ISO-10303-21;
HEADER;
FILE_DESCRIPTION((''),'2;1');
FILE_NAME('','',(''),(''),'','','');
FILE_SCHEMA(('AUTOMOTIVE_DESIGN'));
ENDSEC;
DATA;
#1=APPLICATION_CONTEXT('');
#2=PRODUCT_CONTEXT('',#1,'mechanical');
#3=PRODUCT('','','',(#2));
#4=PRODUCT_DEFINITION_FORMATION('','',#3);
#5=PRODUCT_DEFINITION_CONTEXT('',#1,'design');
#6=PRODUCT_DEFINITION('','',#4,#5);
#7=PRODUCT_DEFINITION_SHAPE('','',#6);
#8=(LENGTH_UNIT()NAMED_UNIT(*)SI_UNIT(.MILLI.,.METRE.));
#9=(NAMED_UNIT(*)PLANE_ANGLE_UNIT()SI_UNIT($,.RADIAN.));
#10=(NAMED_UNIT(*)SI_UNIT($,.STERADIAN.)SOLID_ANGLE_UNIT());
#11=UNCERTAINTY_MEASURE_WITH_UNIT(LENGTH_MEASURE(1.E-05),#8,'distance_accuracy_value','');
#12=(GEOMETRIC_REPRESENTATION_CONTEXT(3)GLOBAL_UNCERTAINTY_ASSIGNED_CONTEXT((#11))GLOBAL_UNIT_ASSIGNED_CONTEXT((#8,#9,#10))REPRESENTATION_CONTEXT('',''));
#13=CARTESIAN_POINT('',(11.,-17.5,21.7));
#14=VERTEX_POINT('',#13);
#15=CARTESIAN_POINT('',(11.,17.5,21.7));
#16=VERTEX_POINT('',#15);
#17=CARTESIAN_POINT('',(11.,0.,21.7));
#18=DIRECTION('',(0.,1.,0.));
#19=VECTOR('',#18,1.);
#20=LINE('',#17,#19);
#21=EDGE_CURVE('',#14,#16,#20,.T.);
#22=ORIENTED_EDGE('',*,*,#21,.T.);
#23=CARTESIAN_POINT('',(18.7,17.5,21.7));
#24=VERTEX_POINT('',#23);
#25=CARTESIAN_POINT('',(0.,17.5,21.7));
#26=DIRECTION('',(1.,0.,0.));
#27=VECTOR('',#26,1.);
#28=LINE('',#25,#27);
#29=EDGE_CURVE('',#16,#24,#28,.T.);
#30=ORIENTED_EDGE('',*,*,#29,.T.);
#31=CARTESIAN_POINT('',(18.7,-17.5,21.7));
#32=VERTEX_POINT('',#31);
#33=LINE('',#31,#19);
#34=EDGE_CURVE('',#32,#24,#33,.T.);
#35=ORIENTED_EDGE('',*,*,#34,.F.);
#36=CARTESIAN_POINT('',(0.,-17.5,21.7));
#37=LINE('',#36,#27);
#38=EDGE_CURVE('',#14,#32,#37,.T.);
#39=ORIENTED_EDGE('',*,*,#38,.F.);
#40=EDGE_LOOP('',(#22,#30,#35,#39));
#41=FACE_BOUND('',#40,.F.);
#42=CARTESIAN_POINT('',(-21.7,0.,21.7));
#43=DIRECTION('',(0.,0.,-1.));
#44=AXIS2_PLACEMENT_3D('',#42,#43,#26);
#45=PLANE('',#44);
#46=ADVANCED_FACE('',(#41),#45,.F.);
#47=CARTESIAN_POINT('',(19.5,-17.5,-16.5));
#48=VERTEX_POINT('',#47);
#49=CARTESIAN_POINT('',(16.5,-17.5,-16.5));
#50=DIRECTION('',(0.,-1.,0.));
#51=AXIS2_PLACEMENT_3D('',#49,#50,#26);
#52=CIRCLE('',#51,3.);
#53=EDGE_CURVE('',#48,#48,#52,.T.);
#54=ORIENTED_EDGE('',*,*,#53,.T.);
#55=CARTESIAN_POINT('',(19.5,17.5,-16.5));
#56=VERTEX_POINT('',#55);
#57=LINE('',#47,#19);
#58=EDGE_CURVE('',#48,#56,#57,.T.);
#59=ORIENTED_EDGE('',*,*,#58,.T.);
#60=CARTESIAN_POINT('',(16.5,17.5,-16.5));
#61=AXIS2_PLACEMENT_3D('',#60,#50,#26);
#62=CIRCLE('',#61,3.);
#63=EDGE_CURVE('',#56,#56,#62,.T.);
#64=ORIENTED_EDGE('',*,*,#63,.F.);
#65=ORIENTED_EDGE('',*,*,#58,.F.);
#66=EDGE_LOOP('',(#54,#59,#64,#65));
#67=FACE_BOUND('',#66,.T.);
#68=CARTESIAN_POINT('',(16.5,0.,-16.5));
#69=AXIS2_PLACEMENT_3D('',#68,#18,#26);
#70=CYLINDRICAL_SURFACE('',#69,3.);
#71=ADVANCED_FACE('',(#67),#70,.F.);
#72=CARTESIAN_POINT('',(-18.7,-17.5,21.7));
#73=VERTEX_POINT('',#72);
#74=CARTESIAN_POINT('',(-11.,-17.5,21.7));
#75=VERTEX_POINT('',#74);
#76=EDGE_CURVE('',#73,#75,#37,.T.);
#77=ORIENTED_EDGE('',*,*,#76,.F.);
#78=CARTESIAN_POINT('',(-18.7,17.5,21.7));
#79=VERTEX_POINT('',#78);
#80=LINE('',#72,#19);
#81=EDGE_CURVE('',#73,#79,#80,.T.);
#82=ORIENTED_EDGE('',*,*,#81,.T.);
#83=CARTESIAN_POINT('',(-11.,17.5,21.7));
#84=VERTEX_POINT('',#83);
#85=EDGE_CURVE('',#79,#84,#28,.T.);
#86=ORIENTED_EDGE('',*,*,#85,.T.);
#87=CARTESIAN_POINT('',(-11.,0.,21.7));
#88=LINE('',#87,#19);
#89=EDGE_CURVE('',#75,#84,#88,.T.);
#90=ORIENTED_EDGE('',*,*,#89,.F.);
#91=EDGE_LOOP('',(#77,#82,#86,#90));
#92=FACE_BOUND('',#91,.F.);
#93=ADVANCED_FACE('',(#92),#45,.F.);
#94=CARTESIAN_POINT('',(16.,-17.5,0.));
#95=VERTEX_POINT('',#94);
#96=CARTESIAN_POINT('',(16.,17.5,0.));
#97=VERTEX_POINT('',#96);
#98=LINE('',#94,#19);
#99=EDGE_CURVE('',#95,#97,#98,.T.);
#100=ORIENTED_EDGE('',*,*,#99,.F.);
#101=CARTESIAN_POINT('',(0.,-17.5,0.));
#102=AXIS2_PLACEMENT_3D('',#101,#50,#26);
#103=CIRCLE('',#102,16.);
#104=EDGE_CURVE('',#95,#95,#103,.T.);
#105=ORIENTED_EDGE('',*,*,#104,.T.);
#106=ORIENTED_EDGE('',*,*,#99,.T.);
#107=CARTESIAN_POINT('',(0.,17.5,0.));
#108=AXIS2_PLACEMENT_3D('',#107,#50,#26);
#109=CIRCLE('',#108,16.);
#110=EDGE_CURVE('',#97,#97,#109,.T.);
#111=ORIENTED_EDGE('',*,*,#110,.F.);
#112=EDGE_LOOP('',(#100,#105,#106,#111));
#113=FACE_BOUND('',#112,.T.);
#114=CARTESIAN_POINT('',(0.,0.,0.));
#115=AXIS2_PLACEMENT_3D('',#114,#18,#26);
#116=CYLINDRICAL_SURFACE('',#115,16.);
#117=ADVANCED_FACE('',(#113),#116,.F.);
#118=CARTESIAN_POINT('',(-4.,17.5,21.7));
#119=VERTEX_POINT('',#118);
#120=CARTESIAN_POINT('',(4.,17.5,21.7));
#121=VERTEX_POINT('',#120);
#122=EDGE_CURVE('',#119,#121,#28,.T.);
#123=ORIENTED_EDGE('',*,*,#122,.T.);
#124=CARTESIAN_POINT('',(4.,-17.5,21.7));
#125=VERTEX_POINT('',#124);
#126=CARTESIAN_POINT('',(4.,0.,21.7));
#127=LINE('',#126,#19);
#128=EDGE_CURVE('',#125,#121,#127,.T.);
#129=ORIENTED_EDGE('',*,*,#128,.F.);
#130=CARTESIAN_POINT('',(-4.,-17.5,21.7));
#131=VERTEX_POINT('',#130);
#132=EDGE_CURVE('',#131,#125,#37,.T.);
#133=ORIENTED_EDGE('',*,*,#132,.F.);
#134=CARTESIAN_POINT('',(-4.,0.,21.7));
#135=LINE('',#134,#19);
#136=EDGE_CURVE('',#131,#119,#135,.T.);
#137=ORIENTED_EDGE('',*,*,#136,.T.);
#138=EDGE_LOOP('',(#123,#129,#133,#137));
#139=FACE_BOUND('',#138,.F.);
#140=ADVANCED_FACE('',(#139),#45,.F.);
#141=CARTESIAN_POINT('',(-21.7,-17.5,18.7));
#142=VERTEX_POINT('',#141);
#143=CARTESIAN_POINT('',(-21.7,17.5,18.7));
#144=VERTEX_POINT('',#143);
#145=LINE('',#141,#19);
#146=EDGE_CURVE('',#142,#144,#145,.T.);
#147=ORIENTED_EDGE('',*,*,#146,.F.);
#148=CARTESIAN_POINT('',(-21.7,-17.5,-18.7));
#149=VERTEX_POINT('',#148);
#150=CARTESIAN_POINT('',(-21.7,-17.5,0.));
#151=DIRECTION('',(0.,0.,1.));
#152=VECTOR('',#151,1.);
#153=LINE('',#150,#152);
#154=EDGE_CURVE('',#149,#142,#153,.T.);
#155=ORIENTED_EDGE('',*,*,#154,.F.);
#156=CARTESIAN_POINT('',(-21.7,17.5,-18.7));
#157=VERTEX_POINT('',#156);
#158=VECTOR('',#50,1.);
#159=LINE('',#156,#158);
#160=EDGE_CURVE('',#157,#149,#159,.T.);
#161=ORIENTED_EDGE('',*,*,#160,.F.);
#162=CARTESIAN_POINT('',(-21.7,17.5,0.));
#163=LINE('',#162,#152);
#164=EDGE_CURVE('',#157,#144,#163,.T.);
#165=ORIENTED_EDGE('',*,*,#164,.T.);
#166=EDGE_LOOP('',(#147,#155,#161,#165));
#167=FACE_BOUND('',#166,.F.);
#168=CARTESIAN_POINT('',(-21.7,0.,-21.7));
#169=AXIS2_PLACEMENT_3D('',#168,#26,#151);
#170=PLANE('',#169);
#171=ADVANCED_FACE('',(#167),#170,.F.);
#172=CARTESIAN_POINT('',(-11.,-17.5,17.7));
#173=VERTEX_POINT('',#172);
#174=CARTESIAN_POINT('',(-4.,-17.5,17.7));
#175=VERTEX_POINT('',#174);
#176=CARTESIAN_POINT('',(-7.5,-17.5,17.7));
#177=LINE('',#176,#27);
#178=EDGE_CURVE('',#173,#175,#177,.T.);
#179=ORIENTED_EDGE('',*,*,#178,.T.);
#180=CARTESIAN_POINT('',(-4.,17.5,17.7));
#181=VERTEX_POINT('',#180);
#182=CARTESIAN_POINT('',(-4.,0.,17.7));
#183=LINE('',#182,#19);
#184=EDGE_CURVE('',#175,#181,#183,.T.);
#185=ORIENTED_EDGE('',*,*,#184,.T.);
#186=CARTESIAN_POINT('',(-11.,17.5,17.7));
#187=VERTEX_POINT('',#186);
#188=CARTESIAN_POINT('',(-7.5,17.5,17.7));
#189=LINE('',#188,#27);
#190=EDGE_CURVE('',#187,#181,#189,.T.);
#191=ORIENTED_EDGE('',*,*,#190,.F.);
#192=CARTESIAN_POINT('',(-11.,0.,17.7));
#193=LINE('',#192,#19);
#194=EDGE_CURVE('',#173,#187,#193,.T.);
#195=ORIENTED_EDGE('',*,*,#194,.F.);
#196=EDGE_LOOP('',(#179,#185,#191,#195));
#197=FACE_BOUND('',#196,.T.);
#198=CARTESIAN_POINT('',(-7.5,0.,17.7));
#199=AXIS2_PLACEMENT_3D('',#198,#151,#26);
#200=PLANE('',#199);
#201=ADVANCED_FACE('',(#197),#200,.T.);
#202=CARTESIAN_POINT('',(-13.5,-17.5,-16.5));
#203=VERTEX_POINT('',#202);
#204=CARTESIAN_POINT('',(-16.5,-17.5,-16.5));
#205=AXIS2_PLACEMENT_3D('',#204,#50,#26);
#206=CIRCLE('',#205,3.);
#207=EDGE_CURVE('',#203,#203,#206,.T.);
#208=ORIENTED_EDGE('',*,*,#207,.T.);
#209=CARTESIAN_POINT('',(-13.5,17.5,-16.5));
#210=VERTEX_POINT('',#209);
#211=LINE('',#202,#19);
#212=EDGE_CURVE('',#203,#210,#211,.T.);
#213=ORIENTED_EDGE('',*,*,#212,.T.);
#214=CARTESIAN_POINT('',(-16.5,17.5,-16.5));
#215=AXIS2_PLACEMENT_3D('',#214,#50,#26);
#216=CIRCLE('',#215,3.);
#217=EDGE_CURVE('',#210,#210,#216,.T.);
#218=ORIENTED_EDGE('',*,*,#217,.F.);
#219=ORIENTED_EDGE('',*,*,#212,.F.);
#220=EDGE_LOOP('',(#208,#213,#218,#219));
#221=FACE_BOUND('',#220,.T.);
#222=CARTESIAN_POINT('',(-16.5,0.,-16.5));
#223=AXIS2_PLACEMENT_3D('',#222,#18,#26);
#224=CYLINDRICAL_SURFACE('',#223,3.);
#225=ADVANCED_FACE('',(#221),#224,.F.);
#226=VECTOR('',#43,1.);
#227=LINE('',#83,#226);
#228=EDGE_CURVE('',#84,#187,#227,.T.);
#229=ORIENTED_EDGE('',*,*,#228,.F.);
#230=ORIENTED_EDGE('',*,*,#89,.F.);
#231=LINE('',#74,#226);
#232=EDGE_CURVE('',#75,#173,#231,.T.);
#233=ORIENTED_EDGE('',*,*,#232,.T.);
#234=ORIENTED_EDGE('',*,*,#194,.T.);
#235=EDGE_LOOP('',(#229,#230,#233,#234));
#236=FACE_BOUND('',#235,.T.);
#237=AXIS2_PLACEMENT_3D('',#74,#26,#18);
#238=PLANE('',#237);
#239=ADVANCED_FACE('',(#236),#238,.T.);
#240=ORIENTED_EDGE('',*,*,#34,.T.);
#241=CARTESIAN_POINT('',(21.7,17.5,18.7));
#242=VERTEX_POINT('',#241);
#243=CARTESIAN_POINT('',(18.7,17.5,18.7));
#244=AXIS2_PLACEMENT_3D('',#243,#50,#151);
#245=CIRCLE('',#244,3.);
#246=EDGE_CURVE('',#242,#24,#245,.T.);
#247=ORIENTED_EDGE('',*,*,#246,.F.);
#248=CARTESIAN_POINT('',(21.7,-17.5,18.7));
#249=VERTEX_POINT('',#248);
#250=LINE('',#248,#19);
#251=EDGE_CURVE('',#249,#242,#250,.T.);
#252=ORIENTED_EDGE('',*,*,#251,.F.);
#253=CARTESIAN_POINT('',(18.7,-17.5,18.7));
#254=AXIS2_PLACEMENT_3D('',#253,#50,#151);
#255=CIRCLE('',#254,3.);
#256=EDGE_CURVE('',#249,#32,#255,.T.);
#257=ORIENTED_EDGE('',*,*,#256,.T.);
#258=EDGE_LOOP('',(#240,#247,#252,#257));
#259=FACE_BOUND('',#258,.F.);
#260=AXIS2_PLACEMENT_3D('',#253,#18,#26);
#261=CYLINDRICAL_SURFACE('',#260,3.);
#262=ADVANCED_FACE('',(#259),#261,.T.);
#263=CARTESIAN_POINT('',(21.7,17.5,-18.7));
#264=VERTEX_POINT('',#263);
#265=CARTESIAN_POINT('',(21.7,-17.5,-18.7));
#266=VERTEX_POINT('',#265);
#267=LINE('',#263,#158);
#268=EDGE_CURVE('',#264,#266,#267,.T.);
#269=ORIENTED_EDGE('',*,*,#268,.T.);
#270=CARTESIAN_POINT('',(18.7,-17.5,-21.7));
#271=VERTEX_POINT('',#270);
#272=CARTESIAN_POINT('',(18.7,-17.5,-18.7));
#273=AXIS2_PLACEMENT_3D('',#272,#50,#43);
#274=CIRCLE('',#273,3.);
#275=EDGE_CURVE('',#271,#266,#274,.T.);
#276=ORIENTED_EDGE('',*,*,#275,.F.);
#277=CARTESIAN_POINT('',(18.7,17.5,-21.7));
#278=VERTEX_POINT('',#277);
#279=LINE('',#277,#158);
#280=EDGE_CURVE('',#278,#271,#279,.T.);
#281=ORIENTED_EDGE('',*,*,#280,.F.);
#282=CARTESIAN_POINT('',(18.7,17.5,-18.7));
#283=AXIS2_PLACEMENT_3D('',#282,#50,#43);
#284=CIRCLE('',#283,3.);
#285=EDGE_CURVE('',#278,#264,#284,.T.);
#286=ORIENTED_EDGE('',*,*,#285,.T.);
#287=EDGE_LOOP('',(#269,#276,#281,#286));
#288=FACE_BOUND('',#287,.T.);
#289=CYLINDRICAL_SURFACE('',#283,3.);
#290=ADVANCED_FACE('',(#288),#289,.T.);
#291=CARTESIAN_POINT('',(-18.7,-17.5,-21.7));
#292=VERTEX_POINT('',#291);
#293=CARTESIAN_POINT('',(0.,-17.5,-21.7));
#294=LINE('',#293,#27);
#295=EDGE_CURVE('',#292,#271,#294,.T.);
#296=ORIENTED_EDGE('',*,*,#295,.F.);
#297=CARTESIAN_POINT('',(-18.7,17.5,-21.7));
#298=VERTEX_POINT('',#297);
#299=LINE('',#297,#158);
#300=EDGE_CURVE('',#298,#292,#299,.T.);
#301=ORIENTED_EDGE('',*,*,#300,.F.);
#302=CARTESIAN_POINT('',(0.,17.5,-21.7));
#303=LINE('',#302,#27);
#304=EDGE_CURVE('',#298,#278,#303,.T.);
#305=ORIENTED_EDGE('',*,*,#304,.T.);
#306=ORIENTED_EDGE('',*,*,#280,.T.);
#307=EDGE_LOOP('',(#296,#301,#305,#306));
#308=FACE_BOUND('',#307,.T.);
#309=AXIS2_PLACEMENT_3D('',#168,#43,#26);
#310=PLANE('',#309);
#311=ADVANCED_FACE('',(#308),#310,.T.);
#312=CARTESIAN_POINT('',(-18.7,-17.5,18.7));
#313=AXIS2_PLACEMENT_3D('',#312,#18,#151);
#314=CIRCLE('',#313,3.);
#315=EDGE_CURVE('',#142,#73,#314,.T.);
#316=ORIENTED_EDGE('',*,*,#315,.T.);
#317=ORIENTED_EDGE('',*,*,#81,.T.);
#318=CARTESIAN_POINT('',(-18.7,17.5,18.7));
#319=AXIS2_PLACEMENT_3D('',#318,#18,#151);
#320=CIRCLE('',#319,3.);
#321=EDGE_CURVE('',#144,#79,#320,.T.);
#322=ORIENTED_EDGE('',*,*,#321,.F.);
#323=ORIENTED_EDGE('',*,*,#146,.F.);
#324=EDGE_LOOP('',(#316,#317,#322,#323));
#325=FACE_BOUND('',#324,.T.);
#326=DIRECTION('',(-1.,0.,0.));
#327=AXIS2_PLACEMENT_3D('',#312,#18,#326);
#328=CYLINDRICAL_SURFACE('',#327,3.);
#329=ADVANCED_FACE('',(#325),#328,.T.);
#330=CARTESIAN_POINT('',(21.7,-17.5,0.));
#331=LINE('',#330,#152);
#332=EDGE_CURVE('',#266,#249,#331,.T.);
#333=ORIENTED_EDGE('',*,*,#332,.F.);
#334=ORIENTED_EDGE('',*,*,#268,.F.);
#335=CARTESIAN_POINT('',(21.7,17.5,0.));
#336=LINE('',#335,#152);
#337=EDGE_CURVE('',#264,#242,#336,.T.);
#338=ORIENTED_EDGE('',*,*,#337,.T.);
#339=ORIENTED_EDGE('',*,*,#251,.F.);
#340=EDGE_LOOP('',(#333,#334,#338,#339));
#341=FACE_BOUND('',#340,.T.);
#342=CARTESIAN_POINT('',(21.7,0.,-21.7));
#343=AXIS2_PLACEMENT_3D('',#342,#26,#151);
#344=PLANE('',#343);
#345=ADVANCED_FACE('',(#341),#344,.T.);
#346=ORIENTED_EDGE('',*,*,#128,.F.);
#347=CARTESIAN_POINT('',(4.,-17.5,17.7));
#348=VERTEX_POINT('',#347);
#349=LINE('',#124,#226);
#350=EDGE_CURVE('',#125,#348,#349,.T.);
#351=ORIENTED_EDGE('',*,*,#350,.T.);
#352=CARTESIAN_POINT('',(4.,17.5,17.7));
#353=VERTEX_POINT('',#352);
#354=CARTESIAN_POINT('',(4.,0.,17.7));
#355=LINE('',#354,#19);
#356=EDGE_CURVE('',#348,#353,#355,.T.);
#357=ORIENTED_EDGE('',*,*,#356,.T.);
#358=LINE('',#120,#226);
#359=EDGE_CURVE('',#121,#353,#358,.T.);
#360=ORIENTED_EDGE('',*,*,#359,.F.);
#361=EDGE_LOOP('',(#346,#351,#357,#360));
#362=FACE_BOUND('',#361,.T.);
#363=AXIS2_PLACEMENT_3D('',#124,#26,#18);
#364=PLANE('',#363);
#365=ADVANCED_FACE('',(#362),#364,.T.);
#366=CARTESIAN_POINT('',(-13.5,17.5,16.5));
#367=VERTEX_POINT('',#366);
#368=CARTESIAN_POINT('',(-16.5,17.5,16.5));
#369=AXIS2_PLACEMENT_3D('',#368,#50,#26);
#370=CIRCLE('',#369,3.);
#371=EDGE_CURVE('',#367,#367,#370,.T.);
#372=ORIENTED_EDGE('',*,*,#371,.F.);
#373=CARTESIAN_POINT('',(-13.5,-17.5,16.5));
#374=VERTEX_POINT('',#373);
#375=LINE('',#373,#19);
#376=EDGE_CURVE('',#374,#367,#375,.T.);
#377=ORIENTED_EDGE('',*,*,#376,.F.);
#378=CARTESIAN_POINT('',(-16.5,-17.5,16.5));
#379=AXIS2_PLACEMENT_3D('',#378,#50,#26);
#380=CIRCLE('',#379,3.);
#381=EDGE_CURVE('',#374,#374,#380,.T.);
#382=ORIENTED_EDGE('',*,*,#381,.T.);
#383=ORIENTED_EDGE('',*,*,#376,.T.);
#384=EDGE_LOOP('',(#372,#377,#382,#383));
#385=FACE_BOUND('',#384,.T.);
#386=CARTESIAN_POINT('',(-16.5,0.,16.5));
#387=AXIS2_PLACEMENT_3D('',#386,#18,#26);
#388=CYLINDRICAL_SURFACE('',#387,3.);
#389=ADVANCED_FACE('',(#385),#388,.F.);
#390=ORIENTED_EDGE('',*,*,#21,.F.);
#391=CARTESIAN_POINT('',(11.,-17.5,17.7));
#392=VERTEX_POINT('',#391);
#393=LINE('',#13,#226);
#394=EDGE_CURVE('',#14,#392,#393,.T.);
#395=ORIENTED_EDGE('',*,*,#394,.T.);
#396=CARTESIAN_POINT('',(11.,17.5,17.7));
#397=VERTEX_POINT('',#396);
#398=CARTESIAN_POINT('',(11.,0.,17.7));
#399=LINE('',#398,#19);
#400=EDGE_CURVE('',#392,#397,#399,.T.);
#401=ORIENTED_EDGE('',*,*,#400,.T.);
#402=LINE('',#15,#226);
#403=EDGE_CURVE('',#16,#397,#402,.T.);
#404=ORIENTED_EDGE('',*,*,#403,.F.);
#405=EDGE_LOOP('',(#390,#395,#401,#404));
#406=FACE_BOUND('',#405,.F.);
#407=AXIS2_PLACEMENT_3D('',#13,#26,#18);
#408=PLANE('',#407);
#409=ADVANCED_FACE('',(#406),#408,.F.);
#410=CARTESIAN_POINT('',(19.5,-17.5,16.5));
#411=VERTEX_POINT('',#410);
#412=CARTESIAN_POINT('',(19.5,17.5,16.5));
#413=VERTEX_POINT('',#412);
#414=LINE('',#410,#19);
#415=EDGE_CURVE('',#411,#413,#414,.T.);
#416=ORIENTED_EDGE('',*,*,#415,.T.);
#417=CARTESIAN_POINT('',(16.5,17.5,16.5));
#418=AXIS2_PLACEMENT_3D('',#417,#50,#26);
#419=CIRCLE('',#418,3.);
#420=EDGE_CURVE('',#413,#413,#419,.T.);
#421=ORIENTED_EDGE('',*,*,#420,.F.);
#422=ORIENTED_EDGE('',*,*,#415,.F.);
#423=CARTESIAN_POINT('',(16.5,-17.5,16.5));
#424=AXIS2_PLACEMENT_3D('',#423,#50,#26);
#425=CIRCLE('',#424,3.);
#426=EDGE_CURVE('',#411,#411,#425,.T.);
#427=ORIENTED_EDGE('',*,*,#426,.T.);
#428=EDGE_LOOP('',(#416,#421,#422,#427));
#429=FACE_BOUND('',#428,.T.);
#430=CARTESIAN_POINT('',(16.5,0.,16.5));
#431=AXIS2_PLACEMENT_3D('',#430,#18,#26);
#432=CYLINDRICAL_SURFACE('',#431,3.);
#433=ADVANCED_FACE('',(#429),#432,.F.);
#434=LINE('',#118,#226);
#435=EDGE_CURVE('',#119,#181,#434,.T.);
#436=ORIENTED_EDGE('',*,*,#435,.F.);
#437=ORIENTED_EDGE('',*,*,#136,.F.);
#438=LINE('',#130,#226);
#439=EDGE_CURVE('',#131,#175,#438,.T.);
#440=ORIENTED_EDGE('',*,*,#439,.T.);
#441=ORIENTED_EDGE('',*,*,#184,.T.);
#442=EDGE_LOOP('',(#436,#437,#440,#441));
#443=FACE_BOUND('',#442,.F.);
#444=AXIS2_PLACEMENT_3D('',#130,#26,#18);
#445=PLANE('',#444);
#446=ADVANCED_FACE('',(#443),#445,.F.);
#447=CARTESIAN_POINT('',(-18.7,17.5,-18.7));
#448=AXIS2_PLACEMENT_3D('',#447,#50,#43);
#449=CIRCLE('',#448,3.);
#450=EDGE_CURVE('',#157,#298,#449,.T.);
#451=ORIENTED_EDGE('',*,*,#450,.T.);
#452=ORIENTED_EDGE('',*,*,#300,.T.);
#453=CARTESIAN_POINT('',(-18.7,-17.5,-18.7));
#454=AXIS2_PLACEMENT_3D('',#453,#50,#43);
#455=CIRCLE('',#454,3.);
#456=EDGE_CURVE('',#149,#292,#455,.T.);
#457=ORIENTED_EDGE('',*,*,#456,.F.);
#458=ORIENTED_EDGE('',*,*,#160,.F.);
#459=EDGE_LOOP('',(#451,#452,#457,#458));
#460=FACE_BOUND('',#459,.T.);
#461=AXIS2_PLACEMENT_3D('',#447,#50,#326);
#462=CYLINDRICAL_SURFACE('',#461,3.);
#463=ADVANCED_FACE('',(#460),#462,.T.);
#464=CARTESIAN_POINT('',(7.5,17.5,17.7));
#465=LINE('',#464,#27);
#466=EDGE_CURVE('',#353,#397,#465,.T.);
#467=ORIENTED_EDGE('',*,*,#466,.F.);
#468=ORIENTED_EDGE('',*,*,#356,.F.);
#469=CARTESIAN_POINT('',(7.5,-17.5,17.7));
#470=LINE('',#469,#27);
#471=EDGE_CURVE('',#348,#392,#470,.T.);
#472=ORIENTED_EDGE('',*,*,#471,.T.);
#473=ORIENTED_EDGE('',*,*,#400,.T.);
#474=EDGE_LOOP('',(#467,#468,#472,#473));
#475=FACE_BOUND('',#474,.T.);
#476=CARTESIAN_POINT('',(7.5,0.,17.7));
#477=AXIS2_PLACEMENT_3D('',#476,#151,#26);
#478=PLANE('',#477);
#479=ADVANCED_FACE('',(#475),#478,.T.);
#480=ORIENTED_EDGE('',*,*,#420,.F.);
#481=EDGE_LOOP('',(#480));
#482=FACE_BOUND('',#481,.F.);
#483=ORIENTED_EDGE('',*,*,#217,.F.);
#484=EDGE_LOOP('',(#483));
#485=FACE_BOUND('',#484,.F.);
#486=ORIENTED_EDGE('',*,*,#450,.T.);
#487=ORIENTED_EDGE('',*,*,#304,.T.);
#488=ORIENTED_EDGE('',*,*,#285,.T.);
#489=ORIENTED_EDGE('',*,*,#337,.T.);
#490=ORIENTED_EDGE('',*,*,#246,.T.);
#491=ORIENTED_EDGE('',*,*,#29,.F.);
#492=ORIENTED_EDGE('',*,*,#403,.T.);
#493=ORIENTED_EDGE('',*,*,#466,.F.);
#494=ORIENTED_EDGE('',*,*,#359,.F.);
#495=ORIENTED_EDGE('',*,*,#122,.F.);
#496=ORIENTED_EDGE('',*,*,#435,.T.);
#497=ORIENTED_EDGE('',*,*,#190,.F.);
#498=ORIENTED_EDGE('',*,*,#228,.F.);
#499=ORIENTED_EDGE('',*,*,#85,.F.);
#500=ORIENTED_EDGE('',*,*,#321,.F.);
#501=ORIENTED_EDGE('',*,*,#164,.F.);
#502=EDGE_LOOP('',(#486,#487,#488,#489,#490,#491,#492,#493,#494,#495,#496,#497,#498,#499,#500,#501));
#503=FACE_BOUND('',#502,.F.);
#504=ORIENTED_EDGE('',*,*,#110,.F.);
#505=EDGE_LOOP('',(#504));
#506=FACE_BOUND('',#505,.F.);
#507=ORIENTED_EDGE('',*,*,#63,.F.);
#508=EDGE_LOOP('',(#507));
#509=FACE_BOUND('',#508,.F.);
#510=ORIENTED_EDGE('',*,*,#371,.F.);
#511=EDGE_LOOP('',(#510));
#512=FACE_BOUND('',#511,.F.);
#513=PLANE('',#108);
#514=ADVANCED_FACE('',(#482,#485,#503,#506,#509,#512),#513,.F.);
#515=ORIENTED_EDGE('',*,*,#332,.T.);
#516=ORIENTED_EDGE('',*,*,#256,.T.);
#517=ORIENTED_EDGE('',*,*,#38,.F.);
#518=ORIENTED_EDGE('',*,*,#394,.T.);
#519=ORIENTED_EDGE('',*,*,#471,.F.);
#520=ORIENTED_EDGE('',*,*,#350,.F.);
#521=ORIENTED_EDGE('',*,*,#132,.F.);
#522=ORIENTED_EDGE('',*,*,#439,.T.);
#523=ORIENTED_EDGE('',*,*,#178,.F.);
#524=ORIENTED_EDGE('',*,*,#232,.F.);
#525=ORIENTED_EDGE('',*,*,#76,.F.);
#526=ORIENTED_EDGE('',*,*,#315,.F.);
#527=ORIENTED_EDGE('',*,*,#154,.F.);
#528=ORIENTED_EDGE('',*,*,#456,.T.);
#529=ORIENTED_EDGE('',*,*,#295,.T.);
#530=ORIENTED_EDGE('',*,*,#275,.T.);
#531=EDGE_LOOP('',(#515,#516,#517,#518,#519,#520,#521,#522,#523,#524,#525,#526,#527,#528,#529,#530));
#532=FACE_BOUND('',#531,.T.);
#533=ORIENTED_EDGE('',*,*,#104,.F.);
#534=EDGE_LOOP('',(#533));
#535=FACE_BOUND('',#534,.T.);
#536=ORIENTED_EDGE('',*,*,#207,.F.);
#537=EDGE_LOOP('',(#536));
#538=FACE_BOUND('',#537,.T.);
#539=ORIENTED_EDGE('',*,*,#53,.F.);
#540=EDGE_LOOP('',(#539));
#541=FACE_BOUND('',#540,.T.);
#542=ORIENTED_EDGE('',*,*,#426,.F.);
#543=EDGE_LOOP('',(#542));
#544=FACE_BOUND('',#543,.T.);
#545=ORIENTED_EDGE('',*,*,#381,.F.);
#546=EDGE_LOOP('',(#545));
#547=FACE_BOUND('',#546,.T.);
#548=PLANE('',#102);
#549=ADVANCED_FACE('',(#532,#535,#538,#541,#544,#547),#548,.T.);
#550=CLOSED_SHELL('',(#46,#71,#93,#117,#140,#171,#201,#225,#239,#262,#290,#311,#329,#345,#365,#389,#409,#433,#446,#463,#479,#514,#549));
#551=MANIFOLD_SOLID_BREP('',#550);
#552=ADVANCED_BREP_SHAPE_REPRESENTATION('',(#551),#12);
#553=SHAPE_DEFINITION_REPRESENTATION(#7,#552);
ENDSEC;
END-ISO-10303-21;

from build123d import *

# Parameters (mm, degrees)
F0_W     = 43.4
F0_H     = 43.4
F0_R     = 3
F0_R_2   = 16
F1_DEPTH = 17.5
F2_W     = 7
F2_H     = 35
F3_DEPTH = 4
F4_R     = 3


with BuildPart() as f1:
    # F0 (on Front) → F1 (new body, symmetric)
    with BuildSketch(Plane.XZ):
        Rectangle(F0_W, F0_H)
        with Locations((-16.5, -16.5)):
            Circle(F0_R, mode=Mode.SUBTRACT)
        with Locations((16.5, -16.5)):
            Circle(F0_R, mode=Mode.SUBTRACT)
        with Locations((-16.5, 16.5)):
            Circle(F0_R, mode=Mode.SUBTRACT)
        Circle(F0_R_2, mode=Mode.SUBTRACT)
        with Locations((16.5, 16.5)):
            Circle(F0_R, mode=Mode.SUBTRACT)
    extrude(amount=F1_DEPTH, both=True)

    # F2 (on face) → F3 (cut)
    with BuildSketch(Plane.XY.offset(21.7)):
        with Locations((-7.5, 0)):
            Rectangle(F2_W, F2_H)
        with Locations((7.5, 0)):
            Rectangle(F2_W, F2_H)
    extrude(amount=-F3_DEPTH, mode=Mode.SUBTRACT)

    # F4
    f4_edges = [f1.edges().sort_by_distance(p)[0] for p in [
        (-21.7, 0, 21.7),
        (21.7, 0, 21.7),
        (21.7, 0, -21.7),
        (-21.7, 0, -21.7),
    ]]
    fillet(f4_edges, radius=F4_R)


solid = f1.part
